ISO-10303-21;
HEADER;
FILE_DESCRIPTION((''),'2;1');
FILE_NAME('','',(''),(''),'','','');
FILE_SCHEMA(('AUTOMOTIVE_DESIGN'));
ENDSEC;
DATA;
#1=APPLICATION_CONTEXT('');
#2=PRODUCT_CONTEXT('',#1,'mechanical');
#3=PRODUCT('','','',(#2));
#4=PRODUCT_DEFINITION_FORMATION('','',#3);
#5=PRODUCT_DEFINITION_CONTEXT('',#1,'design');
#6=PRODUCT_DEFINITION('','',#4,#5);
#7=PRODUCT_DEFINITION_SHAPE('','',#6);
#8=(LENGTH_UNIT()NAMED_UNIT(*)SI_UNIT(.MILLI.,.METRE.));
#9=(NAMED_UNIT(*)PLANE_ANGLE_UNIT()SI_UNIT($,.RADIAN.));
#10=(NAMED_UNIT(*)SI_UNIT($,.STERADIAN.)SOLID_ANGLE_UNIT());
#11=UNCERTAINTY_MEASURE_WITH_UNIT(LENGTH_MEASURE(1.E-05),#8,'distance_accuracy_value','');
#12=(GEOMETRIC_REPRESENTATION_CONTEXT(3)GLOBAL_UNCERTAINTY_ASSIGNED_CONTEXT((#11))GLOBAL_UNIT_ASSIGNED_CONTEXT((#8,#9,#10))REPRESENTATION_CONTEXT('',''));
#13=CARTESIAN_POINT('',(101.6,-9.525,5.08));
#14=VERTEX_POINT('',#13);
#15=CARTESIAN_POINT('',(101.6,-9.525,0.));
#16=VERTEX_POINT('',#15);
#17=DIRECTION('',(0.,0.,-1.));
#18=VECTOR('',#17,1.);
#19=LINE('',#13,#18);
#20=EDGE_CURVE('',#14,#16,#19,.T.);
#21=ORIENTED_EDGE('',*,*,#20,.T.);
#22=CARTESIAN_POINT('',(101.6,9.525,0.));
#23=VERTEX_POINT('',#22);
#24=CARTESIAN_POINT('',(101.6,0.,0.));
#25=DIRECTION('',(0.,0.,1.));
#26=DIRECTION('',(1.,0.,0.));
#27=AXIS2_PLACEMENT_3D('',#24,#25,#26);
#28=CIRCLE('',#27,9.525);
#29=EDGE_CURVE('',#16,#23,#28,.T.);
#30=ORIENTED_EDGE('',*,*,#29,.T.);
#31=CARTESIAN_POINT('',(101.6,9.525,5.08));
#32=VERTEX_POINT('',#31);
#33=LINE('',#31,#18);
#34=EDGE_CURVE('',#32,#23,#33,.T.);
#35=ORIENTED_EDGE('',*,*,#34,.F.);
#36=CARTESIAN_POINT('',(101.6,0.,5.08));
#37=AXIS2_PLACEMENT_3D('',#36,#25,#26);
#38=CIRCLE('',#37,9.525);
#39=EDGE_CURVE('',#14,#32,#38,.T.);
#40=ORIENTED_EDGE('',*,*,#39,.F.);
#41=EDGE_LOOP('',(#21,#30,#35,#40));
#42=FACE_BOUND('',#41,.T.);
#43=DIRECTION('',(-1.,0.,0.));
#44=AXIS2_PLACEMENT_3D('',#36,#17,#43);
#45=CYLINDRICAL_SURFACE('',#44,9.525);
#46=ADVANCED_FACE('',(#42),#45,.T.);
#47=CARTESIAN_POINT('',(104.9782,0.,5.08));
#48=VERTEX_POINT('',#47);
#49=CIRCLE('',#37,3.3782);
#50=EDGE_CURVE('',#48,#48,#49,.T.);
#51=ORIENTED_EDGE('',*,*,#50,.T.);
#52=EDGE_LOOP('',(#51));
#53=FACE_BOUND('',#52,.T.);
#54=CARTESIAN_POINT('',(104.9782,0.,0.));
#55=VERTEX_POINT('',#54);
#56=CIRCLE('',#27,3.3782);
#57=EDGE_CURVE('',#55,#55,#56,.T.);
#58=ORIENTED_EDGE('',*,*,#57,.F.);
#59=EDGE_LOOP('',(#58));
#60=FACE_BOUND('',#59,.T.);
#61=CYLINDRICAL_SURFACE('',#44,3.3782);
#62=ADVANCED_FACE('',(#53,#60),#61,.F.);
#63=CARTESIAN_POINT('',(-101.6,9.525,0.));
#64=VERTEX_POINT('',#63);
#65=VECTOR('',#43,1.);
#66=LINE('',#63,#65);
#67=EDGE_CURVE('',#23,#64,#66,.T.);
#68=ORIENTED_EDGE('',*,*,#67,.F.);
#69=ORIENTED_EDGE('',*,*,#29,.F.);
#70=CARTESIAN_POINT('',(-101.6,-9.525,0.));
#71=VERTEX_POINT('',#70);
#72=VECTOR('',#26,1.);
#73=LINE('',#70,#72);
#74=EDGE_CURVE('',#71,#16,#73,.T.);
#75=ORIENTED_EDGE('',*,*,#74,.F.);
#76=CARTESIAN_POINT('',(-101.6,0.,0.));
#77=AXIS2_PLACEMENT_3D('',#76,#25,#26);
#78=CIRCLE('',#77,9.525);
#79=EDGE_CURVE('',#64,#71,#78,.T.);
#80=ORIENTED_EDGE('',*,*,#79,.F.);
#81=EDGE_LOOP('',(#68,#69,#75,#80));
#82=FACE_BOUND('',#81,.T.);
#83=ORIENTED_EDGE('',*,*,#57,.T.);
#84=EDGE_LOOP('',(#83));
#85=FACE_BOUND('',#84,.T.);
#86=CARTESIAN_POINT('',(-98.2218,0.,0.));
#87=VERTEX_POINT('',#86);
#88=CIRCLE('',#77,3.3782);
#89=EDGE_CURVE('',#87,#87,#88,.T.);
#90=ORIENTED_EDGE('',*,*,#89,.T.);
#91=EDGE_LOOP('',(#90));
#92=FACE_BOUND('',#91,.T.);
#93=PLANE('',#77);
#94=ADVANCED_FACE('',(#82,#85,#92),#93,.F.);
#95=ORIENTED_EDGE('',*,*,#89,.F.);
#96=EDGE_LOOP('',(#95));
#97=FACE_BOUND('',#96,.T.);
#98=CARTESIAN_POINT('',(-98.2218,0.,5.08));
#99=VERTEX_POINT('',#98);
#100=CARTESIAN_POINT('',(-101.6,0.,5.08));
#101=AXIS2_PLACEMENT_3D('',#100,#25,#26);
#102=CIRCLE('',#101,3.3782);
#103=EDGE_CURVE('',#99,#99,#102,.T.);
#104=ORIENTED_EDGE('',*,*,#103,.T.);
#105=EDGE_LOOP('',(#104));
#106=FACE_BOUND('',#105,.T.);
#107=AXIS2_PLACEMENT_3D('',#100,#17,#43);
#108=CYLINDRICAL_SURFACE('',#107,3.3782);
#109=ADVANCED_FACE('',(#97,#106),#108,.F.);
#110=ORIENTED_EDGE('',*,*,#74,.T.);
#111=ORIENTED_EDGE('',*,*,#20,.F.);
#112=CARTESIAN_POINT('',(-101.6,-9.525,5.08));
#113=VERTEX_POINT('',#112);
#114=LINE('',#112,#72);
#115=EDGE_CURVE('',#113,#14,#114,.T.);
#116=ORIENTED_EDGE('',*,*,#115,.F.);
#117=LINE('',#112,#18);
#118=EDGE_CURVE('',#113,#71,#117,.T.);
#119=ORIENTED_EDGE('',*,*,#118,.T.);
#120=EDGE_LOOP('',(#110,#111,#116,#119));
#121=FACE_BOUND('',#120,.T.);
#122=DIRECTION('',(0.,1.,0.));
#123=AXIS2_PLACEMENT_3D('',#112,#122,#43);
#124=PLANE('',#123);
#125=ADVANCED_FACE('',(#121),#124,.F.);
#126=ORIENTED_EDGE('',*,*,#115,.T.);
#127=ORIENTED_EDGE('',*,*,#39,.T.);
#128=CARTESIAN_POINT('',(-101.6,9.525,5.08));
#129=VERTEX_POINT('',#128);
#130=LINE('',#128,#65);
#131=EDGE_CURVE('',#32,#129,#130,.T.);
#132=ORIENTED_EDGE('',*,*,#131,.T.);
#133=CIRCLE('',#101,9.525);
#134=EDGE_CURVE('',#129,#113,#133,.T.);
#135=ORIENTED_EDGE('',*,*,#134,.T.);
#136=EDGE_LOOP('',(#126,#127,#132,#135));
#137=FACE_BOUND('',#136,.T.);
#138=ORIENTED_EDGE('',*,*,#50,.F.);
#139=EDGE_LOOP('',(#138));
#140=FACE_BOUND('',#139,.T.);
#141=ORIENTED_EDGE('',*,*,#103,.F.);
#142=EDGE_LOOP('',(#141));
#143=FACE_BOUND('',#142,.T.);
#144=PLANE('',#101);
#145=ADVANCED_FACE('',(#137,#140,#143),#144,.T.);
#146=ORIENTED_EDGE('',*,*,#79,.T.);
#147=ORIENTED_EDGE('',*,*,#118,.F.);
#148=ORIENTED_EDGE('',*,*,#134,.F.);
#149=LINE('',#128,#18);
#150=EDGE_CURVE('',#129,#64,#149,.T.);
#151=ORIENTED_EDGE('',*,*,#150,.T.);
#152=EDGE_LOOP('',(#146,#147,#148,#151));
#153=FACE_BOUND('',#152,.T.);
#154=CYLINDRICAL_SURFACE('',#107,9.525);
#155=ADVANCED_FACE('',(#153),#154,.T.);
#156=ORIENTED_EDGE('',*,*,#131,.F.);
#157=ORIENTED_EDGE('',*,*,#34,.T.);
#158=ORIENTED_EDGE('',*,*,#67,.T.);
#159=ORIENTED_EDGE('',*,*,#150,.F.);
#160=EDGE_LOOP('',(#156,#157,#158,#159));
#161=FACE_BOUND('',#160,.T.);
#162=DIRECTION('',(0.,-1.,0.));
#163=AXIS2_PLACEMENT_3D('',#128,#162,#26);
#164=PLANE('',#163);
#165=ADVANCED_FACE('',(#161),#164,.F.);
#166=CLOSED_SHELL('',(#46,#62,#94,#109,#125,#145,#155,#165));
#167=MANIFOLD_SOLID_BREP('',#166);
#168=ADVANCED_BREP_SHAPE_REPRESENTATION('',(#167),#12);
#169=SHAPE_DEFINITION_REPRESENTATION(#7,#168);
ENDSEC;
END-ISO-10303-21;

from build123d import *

# Parameters (mm, degrees)
SKETCH1_R           = 3.3782
BOSS_EXTRUDE1_DEPTH = 5.08


with BuildPart() as part:
    # Sketch1 → Boss-Extrude1 (new body)
    with BuildSketch(Plane.XY):
        with BuildLine():
            Line((-101.6, 9.525), (101.6, 9.525))
            ThreePointArc((101.6, 9.525), (111.125, 0), (101.6, -9.525))
            Line((101.6, -9.525), (-101.6, -9.525))
            ThreePointArc((-101.6, -9.525), (-111.125, 0), (-101.6, 9.525))
        make_face()
        with Locations((-101.6, 0)):
            Circle(SKETCH1_R, mode=Mode.SUBTRACT)
        with Locations((101.6, 0)):
            Circle(SKETCH1_R, mode=Mode.SUBTRACT)
    extrude(amount=BOSS_EXTRUDE1_DEPTH)


solid = part.part
